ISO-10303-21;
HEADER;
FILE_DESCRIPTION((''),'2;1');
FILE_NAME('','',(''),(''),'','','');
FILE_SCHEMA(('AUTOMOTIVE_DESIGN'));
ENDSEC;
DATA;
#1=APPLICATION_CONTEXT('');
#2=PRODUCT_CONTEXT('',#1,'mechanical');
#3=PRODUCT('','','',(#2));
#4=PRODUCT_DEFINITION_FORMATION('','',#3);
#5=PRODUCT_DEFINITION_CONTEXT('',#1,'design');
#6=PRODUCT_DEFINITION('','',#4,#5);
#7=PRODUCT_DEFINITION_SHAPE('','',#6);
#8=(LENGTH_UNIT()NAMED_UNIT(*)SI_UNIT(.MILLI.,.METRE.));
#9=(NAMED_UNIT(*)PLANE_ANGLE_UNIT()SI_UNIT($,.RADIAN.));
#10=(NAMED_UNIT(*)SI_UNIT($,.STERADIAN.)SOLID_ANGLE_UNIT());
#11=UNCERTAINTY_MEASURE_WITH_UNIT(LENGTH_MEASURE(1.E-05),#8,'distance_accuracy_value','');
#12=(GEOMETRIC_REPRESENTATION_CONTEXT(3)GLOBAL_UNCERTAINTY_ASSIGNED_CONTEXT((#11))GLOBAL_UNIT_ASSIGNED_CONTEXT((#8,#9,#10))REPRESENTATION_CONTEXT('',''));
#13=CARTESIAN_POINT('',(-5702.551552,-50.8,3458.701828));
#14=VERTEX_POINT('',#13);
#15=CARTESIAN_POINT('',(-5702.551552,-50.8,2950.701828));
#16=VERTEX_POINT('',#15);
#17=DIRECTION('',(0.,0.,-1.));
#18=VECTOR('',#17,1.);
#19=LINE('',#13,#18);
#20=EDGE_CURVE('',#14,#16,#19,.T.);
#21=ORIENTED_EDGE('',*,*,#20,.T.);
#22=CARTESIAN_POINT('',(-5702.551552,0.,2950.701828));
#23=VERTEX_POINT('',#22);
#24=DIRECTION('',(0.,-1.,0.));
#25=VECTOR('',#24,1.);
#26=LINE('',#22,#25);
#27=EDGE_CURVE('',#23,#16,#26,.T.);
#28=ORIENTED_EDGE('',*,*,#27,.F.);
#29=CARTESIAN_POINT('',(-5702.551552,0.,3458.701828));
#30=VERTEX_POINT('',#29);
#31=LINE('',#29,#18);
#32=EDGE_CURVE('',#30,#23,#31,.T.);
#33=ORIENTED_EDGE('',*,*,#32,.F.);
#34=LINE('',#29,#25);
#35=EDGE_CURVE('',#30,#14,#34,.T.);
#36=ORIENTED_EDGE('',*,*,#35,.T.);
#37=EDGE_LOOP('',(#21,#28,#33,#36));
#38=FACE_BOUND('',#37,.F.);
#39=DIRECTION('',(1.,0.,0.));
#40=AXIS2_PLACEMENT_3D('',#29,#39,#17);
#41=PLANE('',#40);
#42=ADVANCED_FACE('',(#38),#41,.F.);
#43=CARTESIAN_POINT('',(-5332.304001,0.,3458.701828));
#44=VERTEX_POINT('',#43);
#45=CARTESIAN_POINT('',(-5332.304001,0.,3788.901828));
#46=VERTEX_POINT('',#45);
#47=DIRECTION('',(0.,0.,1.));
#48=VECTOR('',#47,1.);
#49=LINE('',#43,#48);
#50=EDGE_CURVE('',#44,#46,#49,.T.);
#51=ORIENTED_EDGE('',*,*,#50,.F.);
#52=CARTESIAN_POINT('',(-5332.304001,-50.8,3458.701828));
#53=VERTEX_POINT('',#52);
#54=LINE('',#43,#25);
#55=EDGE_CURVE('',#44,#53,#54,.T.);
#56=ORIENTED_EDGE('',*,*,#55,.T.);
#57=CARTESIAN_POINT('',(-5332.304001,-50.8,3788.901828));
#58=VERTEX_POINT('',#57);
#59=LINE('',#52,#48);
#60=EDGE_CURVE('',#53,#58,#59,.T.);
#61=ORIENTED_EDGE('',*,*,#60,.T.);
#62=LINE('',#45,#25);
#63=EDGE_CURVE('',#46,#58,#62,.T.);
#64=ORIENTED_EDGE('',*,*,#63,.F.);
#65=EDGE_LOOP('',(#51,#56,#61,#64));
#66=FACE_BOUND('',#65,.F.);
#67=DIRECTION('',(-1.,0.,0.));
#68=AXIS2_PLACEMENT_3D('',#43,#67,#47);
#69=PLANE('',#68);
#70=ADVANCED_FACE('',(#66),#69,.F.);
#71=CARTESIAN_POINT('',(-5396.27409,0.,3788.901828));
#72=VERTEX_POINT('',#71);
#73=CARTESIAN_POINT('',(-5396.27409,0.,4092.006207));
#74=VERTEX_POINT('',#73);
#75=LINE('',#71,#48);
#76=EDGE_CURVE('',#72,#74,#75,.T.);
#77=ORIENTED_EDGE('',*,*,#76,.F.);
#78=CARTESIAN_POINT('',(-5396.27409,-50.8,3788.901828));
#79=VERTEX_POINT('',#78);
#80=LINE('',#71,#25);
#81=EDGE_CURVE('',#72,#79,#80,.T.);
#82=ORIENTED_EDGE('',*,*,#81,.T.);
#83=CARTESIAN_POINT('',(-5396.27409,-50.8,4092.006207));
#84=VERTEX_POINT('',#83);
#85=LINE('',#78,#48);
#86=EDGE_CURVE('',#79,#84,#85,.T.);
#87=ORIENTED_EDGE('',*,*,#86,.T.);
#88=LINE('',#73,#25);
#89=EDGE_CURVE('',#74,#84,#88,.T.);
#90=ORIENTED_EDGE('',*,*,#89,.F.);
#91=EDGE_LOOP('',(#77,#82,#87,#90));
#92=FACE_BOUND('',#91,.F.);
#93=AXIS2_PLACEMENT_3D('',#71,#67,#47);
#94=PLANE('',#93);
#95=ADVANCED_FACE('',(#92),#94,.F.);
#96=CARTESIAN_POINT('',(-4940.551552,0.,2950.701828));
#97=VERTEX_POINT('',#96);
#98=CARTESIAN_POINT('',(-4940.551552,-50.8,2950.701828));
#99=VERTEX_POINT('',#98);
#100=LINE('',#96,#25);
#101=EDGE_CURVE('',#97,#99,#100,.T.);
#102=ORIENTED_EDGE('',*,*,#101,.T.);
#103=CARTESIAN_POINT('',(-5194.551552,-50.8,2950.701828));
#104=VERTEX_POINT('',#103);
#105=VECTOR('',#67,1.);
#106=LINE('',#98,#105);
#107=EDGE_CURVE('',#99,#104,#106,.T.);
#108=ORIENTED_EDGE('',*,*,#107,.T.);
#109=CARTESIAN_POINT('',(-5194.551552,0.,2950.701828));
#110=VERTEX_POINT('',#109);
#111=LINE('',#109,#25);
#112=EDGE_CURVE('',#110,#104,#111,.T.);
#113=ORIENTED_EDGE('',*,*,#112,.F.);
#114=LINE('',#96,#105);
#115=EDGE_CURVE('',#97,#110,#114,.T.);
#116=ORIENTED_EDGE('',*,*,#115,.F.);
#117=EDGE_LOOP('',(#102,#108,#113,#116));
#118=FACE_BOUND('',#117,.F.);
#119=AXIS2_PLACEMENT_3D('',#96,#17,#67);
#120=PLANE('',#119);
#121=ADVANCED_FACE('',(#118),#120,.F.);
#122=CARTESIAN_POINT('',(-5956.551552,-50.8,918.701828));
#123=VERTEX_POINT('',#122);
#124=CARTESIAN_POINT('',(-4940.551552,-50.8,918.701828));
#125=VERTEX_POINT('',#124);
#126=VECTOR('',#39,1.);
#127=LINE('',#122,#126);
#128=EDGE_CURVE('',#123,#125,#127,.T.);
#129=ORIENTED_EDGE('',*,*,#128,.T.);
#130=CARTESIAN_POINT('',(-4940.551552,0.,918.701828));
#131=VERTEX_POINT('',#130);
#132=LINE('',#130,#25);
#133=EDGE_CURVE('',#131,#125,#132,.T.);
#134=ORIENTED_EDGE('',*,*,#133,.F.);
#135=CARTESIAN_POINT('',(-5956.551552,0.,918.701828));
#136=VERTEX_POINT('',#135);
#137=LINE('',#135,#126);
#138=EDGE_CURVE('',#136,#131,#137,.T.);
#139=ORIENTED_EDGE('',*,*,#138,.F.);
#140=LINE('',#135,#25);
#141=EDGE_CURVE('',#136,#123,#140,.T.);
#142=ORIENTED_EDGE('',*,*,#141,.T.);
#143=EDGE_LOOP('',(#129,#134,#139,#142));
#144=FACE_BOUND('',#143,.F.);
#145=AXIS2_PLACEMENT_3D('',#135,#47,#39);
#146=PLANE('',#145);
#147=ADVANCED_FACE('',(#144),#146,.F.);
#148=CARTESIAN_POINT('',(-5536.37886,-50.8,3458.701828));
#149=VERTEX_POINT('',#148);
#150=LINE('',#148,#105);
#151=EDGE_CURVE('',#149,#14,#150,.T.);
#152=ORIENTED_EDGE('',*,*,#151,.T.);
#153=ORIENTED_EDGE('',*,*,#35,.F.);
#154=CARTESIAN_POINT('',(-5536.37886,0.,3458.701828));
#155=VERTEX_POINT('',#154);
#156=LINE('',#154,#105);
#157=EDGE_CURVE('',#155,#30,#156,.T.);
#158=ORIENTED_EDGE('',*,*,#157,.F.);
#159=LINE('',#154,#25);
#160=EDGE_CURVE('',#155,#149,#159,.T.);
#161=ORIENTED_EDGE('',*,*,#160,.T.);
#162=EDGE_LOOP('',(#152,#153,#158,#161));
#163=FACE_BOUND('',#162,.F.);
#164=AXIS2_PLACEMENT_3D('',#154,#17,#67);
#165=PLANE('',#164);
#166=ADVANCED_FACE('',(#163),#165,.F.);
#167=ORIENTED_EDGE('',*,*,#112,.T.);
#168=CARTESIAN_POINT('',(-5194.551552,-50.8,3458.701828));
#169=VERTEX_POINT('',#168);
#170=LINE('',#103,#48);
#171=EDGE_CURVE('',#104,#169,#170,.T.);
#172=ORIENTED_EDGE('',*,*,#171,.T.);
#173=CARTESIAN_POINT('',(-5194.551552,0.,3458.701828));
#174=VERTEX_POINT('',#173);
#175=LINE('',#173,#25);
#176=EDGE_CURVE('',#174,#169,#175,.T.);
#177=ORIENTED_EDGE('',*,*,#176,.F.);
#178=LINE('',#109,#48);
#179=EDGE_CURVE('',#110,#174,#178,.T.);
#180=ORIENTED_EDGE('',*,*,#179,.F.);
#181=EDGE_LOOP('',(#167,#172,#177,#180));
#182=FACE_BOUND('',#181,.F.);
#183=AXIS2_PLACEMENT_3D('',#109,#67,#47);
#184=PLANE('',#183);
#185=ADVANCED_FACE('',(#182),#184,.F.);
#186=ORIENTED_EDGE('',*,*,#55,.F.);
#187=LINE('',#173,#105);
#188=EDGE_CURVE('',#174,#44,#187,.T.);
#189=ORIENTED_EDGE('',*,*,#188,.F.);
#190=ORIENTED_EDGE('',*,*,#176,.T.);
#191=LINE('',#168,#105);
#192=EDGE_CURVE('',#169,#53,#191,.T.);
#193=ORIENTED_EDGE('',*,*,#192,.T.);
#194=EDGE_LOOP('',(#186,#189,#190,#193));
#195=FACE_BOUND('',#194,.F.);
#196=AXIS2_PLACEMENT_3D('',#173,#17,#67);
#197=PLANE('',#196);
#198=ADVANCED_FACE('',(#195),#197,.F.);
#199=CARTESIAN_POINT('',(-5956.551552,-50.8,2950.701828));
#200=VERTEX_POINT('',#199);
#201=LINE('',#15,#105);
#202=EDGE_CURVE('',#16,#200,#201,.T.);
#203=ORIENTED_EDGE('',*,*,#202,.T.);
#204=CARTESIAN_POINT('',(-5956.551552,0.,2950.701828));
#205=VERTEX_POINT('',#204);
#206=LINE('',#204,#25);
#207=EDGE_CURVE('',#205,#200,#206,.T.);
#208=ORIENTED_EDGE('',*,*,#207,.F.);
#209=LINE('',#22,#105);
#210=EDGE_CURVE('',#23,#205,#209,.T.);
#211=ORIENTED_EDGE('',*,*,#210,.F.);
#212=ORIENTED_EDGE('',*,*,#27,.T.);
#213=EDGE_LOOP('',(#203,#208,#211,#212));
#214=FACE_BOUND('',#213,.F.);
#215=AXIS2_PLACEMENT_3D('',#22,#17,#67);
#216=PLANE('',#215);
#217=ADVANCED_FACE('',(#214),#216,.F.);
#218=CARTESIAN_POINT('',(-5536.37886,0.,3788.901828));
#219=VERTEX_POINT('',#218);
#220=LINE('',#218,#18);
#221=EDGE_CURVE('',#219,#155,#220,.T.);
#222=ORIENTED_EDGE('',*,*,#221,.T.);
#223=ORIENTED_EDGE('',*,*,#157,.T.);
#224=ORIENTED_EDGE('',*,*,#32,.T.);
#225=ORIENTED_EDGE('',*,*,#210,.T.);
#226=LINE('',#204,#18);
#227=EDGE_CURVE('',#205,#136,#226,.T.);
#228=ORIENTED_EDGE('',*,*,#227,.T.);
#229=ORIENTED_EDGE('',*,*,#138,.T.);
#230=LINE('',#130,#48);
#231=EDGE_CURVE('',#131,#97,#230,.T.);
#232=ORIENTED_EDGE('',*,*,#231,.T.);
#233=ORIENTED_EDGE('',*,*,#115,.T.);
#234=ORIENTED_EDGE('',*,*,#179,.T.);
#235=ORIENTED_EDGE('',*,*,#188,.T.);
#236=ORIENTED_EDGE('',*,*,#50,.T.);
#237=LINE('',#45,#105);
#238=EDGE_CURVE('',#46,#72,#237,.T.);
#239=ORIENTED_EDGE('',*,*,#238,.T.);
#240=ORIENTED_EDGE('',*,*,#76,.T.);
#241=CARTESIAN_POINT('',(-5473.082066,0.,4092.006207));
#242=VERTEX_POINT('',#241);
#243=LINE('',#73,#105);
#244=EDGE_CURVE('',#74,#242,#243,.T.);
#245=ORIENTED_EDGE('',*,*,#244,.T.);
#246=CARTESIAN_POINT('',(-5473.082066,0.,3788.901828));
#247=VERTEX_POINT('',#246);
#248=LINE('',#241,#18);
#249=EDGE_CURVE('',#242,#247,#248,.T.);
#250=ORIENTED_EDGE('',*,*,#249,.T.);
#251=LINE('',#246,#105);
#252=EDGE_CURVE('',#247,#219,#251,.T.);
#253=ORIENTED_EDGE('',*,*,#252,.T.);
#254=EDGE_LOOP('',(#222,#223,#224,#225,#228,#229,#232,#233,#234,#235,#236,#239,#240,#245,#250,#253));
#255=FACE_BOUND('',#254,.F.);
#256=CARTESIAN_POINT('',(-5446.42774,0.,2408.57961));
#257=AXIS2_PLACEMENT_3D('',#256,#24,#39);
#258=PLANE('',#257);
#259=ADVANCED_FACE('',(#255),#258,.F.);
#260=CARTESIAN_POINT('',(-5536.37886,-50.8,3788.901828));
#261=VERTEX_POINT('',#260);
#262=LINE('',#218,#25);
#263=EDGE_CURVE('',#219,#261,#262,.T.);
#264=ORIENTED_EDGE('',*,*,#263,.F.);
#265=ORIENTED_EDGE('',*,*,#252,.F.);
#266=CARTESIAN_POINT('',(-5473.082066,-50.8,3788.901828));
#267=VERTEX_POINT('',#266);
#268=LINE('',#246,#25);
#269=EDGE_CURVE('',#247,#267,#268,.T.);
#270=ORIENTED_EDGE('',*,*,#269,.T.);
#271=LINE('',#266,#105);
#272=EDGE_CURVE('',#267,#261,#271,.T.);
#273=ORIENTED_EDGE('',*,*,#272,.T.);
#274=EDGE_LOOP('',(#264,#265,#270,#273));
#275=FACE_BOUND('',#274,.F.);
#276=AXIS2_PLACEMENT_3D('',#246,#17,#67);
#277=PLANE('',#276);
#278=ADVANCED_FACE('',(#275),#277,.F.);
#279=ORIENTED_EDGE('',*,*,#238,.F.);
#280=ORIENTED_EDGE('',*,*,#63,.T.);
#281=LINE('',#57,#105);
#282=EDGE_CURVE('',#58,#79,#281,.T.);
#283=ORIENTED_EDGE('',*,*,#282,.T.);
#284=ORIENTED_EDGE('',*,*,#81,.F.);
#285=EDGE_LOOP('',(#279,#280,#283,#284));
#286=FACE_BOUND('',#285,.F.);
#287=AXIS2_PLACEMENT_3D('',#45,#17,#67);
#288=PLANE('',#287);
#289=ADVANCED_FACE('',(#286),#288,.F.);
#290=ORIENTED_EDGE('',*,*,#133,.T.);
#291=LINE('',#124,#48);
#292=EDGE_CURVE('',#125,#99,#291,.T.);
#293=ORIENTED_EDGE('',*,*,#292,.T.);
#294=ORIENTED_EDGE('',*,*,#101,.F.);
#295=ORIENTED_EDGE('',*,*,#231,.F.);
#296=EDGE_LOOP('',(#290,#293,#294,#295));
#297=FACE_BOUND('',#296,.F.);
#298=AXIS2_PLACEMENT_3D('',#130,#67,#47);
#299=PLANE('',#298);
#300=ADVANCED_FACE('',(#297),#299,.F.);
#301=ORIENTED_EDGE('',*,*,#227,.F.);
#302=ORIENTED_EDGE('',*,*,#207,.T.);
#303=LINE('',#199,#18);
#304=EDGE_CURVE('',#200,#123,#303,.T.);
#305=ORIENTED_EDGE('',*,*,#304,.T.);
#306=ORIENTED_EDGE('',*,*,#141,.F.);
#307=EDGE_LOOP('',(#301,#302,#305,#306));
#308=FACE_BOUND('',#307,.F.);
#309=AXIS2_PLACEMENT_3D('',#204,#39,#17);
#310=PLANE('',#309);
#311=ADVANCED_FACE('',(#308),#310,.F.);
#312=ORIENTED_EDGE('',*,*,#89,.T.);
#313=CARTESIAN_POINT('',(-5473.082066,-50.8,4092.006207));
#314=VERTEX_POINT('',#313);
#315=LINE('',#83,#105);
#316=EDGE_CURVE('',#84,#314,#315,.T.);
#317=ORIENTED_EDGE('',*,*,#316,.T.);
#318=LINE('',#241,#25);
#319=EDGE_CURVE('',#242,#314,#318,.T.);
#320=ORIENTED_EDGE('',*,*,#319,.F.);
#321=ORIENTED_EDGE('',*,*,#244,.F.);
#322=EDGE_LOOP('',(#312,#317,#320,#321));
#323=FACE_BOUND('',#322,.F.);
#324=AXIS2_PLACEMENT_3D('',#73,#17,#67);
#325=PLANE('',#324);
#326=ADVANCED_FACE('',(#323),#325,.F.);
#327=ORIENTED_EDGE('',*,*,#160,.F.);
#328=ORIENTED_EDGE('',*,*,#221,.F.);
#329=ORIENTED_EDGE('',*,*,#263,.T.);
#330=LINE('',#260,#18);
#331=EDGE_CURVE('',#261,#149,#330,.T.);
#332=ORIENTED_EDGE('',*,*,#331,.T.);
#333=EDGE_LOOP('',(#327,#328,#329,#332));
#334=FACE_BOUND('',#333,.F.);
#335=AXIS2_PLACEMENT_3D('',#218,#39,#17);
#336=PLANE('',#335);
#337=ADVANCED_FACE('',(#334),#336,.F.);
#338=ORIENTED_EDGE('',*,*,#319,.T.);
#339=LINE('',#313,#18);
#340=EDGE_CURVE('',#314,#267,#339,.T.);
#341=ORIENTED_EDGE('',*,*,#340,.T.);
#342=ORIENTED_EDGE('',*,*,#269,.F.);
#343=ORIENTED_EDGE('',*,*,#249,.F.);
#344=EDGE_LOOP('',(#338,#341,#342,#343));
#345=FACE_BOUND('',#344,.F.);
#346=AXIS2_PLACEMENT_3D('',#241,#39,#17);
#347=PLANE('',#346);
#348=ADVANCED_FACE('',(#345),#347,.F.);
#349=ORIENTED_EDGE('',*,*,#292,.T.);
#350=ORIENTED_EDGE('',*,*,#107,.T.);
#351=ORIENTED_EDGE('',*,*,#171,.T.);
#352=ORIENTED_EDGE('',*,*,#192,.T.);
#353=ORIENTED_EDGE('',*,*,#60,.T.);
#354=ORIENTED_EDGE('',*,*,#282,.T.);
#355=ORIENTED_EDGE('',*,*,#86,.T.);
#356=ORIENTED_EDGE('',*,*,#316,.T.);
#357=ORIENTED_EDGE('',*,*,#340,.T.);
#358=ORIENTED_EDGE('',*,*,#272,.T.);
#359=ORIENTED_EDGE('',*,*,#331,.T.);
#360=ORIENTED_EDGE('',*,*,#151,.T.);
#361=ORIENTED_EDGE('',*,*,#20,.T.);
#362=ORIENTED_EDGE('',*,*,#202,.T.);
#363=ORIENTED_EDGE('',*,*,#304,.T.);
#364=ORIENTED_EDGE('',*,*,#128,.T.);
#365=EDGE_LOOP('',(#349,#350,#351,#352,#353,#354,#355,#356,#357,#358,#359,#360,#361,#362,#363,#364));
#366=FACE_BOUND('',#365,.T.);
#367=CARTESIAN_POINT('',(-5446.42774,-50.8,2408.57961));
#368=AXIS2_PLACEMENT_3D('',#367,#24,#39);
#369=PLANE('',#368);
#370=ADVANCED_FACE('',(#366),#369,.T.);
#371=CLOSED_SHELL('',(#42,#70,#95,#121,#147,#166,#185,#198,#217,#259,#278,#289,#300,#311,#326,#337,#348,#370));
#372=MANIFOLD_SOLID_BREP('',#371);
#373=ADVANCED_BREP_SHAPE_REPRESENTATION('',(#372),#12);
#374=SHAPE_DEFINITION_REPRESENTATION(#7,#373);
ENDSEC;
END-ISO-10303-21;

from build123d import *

# Parameters (mm, degrees)
F1_DEPTH = 50.8
F2_DEPTH = 50.8


with BuildPart() as f1:
    # F0 (on Front) → F1 (new body)
    with BuildSketch(Plane.XZ):
        Polygon((-5956.551552, 2950.701828), (-5956.551552, 918.701828), (-4940.551552, 918.701828), (-4940.551552, 1934.701828), (-4940.551552, 2471.261024), (-4940.551552, 2950.701828), (-5194.551552, 2950.701828), (-5194.551552, 3458.701828), (-5332.304001, 3458.701828), (-5332.304001, 3788.901828), (-5396.27409, 3788.901828), (-5396.27409, 4092.006207), (-5468.426704, 4092.006207), (-5473.082066, 4092.006207), (-5473.082066, 3788.901828), (-5536.37886, 3788.901828), (-5536.37886, 3458.701828), (-5702.551552, 3458.701828), (-5702.551552, 2950.701828), align=None)
    extrude(amount=F1_DEPTH)

    # F0 (on Front) → F2 (join)
    with BuildSketch(Plane.XZ):
        Polygon((-5956.551552, 2950.701828), (-5956.551552, 918.701828), (-4940.551552, 918.701828), (-4940.551552, 1934.701828), (-4940.551552, 2471.261024), (-4940.551552, 2950.701828), (-5194.551552, 2950.701828), (-5194.551552, 3458.701828), (-5332.304001, 3458.701828), (-5332.304001, 3788.901828), (-5396.27409, 3788.901828), (-5396.27409, 4092.006207), (-5468.426704, 4092.006207), (-5473.082066, 4092.006207), (-5473.082066, 3788.901828), (-5536.37886, 3788.901828), (-5536.37886, 3458.701828), (-5702.551552, 3458.701828), (-5702.551552, 2950.701828), align=None)
    extrude(amount=F2_DEPTH)


solid = f1.part
